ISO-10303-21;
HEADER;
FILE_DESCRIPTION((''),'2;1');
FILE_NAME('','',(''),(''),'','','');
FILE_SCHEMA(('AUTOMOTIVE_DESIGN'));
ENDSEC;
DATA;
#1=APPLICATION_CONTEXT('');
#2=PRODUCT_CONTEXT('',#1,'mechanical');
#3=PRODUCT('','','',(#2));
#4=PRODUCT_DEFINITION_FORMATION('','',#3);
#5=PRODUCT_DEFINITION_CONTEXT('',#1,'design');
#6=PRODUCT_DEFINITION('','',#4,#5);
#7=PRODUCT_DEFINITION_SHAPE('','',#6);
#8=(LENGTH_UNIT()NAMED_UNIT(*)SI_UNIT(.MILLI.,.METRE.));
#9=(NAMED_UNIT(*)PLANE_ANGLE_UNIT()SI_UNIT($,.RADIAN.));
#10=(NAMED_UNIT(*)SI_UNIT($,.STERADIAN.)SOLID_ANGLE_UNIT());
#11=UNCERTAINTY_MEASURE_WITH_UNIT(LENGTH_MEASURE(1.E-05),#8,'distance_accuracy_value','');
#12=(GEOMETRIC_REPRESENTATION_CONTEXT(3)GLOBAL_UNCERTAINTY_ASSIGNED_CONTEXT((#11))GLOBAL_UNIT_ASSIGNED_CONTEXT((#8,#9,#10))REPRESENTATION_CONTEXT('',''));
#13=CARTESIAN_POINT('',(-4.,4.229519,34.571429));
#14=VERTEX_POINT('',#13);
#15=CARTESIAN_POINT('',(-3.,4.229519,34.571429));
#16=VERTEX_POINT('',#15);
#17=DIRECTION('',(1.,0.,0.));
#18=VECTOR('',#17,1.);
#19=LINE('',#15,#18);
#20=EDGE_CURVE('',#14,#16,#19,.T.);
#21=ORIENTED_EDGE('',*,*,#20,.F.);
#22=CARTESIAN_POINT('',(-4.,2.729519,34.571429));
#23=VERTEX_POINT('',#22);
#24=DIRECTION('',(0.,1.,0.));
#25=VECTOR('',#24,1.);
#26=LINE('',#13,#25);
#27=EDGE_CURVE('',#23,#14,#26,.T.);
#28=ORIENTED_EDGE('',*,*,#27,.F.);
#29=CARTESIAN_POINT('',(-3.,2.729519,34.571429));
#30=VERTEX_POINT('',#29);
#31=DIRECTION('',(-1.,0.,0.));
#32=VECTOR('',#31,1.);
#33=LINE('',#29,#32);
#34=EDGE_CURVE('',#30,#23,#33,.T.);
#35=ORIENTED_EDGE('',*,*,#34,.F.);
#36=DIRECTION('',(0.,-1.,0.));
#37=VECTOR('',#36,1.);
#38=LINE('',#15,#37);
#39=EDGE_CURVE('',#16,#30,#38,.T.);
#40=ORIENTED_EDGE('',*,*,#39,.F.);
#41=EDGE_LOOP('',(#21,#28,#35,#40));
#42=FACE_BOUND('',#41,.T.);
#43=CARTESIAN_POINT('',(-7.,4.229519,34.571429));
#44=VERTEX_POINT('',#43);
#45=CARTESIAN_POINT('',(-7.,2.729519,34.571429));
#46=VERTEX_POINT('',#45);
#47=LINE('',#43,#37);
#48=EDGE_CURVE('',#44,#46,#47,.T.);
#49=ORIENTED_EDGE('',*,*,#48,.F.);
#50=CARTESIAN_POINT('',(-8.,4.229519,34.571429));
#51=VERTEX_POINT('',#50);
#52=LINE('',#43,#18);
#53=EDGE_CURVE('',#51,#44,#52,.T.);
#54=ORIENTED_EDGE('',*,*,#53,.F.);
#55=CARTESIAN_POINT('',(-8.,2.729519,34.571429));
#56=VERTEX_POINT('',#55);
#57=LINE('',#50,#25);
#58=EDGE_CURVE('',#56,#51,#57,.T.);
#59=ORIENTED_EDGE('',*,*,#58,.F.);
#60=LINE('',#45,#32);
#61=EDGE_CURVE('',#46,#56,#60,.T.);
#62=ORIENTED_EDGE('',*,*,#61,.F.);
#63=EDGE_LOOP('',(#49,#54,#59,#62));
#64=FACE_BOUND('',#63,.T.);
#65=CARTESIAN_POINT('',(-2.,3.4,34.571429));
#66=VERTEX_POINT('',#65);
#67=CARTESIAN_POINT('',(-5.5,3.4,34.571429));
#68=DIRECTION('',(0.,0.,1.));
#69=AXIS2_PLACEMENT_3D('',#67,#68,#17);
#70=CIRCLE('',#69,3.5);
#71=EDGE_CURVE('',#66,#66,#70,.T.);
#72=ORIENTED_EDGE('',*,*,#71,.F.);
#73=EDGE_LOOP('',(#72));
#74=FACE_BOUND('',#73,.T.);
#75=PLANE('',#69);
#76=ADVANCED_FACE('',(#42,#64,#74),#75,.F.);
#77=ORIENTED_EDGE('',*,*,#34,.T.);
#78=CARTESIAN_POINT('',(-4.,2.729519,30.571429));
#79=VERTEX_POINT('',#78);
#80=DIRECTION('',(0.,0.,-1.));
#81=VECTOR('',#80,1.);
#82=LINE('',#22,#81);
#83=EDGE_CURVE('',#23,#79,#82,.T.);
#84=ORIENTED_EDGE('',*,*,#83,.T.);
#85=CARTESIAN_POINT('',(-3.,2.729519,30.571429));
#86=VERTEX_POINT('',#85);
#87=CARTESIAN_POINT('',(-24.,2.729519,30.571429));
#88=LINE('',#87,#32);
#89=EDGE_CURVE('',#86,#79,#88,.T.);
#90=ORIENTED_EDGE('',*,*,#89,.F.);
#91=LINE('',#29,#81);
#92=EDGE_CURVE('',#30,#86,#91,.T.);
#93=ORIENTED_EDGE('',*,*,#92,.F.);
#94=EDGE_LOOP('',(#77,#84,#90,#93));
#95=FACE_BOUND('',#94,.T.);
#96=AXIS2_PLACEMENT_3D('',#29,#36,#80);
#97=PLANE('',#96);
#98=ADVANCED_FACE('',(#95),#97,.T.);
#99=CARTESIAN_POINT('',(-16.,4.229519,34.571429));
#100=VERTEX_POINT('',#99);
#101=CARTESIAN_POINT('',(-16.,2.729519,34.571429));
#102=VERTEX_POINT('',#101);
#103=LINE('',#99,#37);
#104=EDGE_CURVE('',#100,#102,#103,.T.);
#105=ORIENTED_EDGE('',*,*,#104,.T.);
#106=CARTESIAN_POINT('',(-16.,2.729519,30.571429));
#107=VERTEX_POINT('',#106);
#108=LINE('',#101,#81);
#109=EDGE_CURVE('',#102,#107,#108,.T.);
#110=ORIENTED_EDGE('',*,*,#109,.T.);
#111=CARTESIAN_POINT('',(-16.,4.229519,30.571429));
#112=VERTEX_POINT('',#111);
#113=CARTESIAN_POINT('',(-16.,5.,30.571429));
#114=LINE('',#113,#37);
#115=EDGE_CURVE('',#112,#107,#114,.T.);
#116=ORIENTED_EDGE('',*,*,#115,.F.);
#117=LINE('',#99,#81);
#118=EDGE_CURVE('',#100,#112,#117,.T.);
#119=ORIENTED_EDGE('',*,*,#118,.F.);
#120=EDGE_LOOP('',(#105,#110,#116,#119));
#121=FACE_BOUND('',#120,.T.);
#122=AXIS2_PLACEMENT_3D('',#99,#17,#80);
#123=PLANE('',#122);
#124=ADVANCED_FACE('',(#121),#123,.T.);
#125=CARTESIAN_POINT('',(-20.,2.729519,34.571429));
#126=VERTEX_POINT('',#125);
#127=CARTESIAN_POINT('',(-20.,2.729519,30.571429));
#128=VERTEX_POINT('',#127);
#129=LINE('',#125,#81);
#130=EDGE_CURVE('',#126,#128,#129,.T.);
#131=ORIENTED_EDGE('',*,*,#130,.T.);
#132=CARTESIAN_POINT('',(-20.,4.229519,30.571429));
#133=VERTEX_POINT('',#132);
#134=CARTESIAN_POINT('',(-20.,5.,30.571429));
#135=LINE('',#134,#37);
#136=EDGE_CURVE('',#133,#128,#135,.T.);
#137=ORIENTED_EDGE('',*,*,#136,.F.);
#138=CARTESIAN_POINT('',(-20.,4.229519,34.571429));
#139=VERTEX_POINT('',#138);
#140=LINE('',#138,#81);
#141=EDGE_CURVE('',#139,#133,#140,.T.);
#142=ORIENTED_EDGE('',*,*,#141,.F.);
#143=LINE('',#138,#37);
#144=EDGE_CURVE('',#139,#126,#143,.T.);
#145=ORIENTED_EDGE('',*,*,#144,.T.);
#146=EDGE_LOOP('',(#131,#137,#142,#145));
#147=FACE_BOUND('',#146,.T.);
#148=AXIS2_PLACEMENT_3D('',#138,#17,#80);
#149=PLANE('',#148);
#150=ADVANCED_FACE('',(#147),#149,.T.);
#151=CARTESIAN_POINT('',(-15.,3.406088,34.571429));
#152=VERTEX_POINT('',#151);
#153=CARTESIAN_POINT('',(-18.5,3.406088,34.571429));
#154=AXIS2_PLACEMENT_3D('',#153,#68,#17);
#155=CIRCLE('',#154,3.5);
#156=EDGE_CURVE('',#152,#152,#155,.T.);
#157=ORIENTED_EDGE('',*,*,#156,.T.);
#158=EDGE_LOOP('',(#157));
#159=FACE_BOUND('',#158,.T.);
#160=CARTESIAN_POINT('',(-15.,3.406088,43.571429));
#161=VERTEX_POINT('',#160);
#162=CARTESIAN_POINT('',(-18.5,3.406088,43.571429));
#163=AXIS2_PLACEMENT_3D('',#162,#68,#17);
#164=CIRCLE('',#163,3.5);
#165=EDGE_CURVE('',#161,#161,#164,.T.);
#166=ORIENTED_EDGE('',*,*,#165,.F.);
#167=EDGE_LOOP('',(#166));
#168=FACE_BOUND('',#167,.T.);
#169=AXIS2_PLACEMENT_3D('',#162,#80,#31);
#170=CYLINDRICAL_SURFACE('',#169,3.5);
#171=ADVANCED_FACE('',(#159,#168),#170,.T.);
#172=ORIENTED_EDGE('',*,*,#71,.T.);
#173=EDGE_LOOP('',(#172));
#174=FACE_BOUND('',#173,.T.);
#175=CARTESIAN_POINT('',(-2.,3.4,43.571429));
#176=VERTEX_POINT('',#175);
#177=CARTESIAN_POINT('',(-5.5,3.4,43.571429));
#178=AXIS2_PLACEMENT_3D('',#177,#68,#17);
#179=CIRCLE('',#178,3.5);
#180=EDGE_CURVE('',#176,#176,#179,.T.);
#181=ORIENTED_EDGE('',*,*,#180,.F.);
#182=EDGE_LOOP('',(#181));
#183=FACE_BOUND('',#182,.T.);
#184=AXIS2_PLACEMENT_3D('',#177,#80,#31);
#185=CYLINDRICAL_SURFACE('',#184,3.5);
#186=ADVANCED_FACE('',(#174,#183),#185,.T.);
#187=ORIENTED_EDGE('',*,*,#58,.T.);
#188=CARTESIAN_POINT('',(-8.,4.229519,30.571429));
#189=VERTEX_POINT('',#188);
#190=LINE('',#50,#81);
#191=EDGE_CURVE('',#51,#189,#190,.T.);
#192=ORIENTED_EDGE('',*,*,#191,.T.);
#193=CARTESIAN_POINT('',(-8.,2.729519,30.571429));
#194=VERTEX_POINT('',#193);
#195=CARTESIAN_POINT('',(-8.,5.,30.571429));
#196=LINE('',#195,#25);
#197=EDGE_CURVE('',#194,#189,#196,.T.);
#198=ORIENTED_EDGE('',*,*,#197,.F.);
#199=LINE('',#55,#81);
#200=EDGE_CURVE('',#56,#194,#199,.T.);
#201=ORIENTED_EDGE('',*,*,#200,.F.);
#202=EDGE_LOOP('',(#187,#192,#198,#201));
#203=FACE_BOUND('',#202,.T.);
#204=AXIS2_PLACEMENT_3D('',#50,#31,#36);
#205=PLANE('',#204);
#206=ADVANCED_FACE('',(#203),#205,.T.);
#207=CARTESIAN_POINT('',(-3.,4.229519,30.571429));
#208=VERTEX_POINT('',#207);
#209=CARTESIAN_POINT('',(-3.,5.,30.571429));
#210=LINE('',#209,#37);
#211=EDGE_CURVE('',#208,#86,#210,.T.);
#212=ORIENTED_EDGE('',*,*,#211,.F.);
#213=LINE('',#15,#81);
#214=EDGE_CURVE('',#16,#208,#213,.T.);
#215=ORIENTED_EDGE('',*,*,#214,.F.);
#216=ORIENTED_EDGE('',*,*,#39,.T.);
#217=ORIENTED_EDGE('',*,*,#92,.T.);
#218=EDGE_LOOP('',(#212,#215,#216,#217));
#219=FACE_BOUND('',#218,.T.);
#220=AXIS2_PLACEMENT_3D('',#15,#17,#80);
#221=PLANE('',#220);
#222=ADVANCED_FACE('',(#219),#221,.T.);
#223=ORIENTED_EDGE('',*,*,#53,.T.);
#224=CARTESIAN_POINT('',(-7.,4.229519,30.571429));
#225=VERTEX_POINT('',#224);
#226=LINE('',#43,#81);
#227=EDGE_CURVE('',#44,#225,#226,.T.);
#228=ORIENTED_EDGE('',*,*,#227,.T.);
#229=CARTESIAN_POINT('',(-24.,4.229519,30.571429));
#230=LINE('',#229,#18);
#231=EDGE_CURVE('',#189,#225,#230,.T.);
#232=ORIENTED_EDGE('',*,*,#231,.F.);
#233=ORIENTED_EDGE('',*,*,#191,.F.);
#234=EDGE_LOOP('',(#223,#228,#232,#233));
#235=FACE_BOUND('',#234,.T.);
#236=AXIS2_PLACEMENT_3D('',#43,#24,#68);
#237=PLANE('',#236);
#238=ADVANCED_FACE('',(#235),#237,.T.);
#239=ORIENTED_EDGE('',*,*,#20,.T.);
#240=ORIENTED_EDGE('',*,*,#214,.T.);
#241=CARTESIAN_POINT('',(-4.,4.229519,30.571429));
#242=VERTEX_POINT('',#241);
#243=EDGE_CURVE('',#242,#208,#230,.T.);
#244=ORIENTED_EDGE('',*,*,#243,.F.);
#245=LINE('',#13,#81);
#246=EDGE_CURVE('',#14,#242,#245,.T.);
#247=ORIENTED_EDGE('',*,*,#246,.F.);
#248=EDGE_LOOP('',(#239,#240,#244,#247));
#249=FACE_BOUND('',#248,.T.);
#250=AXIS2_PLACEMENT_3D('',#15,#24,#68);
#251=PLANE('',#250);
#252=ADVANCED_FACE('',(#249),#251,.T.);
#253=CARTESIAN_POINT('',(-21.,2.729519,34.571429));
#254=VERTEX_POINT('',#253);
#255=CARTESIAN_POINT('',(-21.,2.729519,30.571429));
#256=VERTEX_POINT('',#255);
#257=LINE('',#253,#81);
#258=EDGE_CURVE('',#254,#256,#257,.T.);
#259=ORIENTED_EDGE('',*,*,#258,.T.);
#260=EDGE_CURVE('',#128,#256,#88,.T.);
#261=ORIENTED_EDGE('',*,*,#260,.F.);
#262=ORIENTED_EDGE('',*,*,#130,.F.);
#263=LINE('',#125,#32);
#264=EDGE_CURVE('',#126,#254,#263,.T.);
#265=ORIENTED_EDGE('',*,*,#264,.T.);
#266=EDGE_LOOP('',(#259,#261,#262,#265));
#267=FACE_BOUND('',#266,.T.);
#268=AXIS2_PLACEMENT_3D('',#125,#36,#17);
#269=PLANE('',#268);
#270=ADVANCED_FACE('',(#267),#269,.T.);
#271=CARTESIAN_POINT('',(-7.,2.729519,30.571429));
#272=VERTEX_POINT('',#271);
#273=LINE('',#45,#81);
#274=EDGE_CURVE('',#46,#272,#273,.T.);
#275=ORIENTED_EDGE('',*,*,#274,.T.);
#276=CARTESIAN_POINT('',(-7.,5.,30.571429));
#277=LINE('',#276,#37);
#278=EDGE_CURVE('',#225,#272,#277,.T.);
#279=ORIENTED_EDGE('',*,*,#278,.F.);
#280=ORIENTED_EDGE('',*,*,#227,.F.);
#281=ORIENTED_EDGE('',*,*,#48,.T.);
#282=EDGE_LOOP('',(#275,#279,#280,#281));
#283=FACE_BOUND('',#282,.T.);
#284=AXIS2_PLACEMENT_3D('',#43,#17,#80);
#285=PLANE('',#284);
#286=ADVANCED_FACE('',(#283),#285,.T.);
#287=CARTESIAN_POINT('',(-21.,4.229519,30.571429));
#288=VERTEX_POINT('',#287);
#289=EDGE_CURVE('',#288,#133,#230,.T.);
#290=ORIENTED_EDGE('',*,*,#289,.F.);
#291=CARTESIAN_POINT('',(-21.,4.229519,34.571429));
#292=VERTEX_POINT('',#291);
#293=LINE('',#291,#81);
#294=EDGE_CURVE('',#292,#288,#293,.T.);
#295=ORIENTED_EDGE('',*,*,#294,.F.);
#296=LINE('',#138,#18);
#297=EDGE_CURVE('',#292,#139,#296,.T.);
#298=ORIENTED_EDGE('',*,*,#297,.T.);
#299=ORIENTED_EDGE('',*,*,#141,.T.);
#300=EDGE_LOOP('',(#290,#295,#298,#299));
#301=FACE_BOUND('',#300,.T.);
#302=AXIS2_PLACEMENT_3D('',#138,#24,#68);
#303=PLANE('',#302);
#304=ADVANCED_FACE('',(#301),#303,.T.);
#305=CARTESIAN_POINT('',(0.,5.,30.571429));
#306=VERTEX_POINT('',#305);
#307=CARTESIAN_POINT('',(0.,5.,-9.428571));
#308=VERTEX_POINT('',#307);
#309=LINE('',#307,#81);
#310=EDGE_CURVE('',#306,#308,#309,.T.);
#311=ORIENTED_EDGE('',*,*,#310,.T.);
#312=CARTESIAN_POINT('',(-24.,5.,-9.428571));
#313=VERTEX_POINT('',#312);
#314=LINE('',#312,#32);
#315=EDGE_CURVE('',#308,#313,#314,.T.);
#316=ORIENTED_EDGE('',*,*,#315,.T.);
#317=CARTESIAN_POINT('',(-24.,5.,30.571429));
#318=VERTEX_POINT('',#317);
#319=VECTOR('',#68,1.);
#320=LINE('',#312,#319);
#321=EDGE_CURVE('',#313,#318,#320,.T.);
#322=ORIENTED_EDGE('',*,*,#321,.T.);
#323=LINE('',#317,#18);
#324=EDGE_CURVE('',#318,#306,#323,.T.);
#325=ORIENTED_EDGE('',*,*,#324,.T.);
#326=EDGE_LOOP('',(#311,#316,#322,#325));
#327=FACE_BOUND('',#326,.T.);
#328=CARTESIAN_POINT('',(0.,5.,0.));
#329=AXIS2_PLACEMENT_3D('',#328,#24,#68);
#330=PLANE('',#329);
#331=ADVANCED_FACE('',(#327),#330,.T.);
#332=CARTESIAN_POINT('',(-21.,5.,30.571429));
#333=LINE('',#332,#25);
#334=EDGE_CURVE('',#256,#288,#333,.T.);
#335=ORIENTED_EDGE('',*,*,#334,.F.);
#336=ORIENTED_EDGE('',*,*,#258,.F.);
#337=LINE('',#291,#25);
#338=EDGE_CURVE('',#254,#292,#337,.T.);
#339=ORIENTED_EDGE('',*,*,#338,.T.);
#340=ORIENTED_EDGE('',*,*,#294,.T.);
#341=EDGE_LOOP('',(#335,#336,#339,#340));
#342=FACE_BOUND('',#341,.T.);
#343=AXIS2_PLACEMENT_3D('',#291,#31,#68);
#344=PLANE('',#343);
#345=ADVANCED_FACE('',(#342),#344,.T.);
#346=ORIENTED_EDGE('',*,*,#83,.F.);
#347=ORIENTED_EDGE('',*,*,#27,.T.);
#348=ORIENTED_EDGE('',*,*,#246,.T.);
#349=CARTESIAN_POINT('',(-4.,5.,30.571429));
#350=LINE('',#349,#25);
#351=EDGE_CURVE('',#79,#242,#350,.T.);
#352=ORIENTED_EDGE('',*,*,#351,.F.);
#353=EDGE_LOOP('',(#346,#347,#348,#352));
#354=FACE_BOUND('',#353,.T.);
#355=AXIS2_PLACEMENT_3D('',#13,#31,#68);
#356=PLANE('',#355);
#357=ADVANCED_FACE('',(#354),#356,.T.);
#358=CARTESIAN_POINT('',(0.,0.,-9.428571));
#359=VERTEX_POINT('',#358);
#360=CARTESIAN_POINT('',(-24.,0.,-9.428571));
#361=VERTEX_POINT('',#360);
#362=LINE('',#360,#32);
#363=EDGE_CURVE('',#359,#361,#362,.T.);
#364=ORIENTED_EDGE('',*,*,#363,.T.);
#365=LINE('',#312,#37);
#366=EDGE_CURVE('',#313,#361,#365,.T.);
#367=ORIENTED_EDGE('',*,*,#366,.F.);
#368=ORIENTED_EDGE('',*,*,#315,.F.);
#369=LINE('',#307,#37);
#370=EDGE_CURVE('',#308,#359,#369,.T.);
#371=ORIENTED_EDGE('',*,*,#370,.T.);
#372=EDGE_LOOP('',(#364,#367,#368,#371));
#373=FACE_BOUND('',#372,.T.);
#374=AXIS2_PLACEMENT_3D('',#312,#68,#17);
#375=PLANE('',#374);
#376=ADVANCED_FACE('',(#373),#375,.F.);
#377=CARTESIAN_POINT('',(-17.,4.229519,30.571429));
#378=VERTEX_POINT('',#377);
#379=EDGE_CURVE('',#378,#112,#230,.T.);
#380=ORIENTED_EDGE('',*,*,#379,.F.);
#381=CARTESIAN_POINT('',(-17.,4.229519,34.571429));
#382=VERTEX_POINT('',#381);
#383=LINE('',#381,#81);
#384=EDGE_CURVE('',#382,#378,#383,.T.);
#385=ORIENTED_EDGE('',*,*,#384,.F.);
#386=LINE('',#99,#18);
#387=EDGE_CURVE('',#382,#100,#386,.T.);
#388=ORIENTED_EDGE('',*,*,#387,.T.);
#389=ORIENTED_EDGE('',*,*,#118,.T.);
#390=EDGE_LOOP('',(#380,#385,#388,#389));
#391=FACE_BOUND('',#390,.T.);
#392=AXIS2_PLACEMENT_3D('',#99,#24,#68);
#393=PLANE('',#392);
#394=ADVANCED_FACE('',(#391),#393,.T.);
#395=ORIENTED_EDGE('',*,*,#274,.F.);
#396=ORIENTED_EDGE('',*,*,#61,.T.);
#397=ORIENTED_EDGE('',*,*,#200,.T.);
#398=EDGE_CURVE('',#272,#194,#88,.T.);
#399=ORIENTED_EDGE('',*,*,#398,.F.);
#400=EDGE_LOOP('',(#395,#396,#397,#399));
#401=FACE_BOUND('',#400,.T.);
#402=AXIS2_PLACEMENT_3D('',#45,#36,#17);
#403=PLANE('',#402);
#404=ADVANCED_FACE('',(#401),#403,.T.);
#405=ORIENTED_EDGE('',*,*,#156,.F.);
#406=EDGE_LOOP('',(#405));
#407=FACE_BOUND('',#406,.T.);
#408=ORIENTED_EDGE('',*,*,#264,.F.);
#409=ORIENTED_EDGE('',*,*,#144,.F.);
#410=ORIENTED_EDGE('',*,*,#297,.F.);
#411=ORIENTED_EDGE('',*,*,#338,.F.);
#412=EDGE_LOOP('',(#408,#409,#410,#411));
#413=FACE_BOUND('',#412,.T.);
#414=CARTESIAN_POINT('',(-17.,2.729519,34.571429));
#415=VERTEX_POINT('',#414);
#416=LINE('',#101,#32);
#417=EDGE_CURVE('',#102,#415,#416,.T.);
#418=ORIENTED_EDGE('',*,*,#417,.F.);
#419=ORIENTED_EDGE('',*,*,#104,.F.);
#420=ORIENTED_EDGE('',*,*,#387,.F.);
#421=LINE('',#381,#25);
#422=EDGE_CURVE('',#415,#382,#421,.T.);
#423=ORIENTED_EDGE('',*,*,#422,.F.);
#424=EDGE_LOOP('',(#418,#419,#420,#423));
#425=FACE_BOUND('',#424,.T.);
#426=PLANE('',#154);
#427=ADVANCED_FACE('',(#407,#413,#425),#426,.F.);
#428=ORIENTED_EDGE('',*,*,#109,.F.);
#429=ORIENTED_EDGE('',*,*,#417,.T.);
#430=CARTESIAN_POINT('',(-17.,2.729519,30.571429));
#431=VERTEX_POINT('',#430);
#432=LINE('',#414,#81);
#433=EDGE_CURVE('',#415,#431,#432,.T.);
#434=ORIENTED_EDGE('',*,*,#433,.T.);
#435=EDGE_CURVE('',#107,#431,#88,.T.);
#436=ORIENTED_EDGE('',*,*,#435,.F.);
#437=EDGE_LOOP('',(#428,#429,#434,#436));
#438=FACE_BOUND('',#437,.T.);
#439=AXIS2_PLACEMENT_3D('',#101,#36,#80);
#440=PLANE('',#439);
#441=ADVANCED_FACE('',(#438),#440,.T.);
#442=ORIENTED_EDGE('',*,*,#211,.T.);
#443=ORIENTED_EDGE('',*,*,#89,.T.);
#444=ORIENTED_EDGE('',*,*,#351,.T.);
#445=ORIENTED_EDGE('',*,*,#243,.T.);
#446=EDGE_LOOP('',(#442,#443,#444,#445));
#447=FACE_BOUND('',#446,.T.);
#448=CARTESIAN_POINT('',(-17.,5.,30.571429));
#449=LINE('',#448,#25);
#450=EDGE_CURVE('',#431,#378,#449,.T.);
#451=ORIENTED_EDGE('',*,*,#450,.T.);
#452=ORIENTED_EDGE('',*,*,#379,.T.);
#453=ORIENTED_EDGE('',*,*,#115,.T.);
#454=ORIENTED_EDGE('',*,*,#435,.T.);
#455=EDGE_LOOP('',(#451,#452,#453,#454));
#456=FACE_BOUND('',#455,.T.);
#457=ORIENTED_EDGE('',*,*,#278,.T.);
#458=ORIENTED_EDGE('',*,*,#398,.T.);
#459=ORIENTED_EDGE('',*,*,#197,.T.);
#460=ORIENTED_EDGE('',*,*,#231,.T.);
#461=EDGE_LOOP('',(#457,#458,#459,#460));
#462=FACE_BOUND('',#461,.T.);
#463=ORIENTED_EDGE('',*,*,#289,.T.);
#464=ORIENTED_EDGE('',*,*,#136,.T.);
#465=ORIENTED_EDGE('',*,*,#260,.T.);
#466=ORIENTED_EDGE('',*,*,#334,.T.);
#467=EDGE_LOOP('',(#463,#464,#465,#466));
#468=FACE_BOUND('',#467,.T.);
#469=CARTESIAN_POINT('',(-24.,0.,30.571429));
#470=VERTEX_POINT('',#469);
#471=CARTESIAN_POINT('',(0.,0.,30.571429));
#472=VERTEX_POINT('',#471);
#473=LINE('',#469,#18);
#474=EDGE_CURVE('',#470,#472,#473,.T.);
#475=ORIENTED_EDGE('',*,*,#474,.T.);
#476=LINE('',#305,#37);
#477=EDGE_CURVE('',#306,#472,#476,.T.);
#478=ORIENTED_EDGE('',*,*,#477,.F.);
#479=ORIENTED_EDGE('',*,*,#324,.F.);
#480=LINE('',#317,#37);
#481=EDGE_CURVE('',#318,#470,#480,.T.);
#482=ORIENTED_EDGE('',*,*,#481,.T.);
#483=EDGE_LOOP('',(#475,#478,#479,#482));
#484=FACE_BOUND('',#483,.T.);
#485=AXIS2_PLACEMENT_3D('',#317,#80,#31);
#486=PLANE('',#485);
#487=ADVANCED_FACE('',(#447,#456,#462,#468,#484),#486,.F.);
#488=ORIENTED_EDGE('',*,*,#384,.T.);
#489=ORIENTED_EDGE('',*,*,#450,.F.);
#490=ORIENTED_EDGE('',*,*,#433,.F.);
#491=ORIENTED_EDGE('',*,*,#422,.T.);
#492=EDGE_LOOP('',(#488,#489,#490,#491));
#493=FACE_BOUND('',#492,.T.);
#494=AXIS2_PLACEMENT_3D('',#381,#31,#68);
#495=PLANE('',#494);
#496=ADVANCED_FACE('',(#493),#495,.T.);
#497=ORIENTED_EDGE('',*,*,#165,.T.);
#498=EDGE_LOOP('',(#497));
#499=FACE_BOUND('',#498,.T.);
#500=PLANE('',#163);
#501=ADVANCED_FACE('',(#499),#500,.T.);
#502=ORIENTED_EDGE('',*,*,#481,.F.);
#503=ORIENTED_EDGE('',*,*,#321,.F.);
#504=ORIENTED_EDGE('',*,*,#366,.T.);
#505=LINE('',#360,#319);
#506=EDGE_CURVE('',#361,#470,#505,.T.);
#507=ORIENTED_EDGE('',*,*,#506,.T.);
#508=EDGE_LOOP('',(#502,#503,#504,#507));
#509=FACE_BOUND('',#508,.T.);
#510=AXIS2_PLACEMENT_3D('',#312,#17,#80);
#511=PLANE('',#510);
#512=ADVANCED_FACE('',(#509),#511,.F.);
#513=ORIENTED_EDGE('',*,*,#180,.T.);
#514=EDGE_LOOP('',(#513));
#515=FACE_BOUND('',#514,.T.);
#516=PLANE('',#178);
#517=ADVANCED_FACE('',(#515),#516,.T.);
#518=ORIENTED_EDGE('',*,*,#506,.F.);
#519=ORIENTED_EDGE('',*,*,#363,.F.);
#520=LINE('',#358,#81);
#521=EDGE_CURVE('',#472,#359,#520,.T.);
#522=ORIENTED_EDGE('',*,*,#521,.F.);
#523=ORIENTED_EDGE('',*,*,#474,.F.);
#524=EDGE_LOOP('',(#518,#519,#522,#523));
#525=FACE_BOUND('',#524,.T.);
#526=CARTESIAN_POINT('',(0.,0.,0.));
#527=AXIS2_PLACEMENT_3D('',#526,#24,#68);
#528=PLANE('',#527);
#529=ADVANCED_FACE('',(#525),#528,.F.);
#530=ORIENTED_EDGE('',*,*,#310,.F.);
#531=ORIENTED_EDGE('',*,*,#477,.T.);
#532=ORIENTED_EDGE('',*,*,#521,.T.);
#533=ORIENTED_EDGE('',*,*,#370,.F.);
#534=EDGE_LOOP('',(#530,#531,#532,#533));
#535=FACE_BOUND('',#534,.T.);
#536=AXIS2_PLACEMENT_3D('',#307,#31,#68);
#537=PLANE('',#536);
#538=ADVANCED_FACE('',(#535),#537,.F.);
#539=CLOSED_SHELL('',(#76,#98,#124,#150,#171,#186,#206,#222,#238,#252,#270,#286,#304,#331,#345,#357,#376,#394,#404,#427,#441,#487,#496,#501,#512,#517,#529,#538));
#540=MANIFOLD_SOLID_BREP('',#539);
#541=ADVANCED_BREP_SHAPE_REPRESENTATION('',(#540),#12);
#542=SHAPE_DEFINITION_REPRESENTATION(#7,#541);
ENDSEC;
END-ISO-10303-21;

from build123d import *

# Parameters (mm, degrees)
SKETCH1_W           = 24
SKETCH1_H           = 40
BOSS_EXTRUDE1_DEPTH = 5
SKETCH2_W           = 1
SKETCH2_H           = 1.5
BOSS_EXTRUDE5_DEPTH = 44
SKETCH6_R           = 3.5
BOSS_EXTRUDE9_DEPTH = 9


with BuildPart() as part:
    # Sketch1 → Boss-Extrude1 (new body)
    with BuildSketch(Plane(origin=(0, 0, 0), x_dir=(1, 0, 0), z_dir=(0, 1, 0))):
        with Locations((-12, -10.571428571)):
            Rectangle(SKETCH1_W, SKETCH1_H)
    extrude(amount=BOSS_EXTRUDE1_DEPTH)

    # Sketch2 → Boss-Extrude5 (add)
    with BuildSketch(Plane(origin=(0, 0, -9.428571429), x_dir=(-1, 0, 0), z_dir=(0, 0, -1))):
        with Locations((3.5, 3.479518838)):
            Rectangle(SKETCH2_W, SKETCH2_H)
        with Locations((7.5, 3.479518838)):
            Rectangle(SKETCH2_W, SKETCH2_H)
        with Locations((16.5, 3.479518838)):
            Rectangle(SKETCH2_W, SKETCH2_H)
        with Locations((20.5, 3.479518838)):
            Rectangle(SKETCH2_W, SKETCH2_H)
    extrude(amount=-BOSS_EXTRUDE5_DEPTH)

    # Sketch6 → Boss-Extrude9 (add)
    with BuildSketch(Plane.XY.offset(34.571428571)):
        with Locations((-18.5, 3.40608753)):
            Circle(SKETCH6_R)
        with Locations((-5.5, 3.4)):
            Circle(SKETCH6_R)
    extrude(amount=BOSS_EXTRUDE9_DEPTH)


solid = part.part
